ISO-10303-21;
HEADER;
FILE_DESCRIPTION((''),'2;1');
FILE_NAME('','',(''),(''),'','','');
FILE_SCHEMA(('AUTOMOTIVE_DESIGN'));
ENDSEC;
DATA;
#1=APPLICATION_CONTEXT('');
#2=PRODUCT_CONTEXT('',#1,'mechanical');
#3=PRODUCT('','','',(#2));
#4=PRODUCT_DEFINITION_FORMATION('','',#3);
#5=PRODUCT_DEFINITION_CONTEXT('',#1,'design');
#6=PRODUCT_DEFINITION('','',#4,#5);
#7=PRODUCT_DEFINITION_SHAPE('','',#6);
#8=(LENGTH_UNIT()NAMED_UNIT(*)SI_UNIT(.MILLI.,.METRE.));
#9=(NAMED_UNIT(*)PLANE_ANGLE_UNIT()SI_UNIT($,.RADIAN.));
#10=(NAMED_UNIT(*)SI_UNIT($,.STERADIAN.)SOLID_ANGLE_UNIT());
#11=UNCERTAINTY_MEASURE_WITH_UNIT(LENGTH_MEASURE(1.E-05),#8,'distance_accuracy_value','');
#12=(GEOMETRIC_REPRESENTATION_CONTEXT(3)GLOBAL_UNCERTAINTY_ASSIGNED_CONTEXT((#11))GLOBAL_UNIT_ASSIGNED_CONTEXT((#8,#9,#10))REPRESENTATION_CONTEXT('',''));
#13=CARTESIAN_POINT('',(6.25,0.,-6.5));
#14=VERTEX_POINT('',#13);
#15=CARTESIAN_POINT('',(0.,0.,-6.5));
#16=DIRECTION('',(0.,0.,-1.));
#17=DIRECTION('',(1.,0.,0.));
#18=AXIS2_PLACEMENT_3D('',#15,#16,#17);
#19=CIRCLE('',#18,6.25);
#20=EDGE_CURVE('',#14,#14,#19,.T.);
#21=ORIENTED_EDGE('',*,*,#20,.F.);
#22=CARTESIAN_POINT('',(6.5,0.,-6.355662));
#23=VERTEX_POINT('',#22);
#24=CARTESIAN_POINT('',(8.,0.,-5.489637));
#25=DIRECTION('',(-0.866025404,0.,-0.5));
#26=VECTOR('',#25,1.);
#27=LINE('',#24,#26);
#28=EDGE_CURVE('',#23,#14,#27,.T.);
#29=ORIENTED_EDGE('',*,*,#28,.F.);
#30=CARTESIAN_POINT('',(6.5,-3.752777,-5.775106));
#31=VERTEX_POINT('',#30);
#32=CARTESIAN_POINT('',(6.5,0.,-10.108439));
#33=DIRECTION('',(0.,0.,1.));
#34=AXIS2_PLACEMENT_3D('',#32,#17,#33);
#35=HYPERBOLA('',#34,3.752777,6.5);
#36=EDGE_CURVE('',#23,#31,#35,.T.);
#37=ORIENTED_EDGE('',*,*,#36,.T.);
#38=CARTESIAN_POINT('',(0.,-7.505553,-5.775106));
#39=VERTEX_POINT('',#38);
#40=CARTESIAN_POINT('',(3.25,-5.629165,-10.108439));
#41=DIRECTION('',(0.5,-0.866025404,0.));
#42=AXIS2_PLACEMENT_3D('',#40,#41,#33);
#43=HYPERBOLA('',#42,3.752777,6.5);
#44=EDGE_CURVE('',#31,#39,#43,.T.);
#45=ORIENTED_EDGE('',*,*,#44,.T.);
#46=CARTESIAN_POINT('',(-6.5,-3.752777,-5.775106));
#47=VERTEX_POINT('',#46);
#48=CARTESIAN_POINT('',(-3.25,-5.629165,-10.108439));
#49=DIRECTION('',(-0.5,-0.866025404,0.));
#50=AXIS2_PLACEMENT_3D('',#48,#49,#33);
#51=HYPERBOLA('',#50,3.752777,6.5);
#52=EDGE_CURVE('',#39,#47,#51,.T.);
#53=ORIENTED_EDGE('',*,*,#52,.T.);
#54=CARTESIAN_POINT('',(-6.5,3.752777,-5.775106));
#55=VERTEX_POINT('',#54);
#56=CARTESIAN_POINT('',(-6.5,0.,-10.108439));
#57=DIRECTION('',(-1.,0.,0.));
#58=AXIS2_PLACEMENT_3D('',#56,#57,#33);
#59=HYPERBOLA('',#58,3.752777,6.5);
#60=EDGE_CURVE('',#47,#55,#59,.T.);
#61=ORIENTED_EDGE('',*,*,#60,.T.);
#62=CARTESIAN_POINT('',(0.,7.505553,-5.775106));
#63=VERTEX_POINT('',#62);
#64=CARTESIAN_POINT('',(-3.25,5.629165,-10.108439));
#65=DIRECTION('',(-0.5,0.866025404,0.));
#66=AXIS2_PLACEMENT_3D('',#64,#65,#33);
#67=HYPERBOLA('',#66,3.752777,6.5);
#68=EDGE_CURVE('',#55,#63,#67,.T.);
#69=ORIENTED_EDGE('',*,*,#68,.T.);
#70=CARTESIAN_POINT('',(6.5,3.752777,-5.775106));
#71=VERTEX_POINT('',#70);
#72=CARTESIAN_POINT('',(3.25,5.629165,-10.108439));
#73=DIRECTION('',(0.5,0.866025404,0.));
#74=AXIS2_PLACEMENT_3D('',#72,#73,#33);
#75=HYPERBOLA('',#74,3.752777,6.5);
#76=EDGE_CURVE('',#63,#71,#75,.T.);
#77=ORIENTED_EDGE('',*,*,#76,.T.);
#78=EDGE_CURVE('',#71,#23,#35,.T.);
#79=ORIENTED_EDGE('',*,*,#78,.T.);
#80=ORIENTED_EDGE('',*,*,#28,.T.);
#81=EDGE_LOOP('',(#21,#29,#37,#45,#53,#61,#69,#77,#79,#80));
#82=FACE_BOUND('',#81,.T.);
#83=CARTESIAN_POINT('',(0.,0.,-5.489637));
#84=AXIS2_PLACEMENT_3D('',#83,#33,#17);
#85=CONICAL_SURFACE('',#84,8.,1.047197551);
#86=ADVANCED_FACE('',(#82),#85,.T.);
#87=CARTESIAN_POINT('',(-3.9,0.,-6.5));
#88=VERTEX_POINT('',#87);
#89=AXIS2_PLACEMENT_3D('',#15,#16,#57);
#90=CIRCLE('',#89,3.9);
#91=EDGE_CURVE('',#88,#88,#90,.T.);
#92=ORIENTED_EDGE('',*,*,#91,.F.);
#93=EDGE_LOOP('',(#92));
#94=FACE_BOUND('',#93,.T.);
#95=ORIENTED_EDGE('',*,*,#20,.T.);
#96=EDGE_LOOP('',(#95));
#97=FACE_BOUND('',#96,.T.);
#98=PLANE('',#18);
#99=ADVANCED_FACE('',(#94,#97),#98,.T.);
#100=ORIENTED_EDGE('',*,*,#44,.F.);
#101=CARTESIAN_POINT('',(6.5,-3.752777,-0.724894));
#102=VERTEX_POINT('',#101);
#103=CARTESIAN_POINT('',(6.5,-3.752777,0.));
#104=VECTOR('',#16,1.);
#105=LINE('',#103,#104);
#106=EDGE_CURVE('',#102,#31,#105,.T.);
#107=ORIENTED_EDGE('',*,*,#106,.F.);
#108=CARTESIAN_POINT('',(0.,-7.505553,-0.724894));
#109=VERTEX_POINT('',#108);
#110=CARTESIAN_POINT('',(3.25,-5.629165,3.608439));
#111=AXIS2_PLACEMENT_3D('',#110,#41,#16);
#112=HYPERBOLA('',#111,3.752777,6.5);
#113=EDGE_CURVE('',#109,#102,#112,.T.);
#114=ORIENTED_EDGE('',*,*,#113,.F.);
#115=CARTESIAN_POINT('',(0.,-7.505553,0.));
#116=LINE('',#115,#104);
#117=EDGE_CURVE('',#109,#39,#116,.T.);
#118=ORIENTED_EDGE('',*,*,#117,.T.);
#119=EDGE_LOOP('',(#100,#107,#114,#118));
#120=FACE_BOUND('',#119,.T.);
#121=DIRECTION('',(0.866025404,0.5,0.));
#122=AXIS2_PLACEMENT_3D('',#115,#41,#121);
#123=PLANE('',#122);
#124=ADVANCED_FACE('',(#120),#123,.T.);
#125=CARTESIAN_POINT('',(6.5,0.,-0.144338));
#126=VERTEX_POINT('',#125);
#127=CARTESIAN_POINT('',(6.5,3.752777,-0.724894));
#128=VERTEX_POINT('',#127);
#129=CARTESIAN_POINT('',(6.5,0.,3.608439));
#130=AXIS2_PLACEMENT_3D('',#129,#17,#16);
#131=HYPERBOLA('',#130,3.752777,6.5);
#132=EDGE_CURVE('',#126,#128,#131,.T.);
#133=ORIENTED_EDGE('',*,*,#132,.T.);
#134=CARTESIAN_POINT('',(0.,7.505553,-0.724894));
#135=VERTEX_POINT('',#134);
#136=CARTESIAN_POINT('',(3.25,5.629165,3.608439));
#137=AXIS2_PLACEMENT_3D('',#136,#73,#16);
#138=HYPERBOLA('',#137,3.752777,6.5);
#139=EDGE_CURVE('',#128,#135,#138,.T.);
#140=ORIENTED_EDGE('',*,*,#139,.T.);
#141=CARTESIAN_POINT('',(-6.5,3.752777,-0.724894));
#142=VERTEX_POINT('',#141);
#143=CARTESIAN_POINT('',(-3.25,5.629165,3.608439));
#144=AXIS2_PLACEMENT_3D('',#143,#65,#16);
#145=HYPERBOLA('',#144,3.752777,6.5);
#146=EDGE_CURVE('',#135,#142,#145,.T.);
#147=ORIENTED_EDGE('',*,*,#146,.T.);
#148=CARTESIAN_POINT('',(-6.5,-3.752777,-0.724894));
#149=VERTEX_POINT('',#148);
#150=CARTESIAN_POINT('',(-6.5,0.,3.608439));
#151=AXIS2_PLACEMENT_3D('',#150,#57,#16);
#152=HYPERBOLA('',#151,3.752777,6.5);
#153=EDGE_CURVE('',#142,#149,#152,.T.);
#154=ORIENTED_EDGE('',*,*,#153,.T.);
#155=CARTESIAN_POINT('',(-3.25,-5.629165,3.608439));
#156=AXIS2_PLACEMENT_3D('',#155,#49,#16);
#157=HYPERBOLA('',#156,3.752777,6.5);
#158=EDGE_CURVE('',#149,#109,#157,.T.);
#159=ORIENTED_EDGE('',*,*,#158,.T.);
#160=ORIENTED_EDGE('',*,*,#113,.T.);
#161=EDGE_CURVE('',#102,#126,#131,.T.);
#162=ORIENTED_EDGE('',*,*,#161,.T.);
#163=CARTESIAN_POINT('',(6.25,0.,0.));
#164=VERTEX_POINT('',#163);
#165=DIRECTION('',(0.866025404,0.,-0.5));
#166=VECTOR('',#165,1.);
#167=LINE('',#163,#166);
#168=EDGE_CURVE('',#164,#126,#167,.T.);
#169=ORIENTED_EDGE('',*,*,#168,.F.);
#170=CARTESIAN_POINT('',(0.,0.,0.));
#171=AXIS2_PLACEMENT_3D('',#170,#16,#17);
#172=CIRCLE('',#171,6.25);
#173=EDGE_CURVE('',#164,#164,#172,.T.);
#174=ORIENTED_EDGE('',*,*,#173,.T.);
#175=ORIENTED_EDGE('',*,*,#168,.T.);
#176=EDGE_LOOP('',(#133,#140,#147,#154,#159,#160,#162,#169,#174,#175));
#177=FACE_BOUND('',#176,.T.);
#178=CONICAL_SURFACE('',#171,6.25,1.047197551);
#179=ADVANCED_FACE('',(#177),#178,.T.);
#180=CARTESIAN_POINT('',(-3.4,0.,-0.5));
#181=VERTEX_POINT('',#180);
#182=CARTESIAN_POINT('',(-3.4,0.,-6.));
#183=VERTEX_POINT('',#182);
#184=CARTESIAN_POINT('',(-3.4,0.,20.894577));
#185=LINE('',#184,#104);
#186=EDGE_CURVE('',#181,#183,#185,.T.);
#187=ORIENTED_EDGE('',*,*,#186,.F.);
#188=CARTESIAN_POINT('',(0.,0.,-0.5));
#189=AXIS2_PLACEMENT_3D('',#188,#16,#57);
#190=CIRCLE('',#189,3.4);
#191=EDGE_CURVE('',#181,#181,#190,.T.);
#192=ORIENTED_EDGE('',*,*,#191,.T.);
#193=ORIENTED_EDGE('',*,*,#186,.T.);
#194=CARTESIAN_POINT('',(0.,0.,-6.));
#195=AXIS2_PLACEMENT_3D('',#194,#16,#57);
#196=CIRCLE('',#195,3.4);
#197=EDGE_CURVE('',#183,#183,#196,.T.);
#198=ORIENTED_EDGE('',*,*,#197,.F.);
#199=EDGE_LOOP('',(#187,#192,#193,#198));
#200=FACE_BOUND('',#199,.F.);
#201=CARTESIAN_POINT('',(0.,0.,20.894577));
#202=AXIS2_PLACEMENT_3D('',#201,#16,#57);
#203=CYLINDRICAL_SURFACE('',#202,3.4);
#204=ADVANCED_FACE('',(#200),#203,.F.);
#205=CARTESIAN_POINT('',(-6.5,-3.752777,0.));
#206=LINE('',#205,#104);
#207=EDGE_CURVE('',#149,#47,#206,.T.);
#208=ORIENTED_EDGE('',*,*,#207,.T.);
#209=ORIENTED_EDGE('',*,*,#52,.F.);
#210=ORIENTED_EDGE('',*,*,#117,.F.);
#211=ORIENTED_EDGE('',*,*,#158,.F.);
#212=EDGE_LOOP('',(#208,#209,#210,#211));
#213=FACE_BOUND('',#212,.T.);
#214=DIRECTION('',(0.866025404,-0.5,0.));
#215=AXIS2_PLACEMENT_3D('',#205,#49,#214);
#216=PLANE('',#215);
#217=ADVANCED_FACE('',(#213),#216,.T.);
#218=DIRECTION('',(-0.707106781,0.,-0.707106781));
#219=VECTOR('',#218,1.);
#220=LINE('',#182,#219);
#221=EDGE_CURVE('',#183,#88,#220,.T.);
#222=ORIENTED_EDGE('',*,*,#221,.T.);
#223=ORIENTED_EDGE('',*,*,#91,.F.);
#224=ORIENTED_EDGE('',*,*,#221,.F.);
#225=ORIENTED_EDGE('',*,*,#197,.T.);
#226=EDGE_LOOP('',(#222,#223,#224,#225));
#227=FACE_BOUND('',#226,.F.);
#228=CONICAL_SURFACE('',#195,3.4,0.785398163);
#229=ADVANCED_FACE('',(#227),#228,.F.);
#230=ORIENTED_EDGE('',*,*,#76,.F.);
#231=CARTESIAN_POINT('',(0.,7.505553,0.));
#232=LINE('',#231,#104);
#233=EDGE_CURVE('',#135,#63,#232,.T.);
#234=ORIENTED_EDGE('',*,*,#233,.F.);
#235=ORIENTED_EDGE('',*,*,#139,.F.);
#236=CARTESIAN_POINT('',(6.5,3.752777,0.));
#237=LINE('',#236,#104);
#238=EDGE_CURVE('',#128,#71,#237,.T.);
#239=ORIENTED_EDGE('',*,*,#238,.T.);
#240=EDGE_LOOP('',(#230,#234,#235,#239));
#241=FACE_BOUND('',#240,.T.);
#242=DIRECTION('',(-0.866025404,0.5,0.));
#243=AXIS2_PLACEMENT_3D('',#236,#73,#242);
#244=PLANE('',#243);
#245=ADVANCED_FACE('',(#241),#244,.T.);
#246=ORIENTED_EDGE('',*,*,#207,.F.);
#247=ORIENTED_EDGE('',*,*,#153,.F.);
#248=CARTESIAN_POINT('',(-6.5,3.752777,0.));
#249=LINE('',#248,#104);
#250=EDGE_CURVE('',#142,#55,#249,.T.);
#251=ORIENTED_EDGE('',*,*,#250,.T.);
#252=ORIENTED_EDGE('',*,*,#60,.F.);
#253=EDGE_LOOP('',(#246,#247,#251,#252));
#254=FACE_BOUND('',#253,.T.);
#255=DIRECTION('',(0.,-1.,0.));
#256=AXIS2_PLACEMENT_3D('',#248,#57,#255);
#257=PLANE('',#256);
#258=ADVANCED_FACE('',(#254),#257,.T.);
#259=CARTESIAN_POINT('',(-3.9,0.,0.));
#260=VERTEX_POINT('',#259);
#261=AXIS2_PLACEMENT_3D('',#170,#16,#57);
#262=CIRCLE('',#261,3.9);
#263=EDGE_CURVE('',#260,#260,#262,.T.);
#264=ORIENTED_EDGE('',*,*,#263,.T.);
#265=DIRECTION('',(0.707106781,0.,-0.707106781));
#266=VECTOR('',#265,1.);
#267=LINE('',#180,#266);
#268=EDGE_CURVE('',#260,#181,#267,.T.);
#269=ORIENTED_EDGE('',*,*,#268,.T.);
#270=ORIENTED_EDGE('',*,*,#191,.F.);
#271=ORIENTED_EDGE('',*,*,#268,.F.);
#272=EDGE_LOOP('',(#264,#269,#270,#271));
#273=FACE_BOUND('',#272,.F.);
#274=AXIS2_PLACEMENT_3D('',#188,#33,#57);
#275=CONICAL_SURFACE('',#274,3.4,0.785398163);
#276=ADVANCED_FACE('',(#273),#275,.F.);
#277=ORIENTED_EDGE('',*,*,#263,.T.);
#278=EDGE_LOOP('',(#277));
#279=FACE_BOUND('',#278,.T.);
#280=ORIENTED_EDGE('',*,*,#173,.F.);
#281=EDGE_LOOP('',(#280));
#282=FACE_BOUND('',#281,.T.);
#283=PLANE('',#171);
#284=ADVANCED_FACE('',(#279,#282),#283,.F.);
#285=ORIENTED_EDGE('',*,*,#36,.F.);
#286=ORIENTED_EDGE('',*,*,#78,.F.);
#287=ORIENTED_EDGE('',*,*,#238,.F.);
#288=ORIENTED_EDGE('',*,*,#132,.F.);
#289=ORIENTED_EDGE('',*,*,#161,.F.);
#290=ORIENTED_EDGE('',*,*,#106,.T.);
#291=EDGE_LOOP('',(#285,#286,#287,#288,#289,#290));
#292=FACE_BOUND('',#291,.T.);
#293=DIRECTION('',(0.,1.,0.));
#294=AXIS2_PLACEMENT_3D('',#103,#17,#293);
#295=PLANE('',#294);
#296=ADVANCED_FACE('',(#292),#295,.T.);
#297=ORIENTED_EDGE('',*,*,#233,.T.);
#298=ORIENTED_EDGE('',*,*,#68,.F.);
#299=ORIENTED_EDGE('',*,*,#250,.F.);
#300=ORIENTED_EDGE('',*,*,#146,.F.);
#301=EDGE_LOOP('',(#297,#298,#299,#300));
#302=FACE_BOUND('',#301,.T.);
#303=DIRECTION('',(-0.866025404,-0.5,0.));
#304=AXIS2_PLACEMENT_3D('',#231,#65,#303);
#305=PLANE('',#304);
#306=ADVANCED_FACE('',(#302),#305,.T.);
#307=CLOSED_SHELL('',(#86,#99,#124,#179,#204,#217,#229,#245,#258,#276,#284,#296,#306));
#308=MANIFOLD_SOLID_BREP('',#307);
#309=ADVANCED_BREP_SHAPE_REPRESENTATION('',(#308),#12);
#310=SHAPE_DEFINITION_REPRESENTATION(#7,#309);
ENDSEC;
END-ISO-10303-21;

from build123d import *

# Parameters (mm, degrees)
SKETCH2_R              = 8
CUT_EXTRUDE1_DEPTH     = 14.047988351
M8X1_25_TAPPED_HOLE1_D = 6.8
CHAMFER1_SIZE          = 0.5


with BuildPart() as part:
    # Sketch1 → Revolve1 (revolve)
    with BuildSketch(Plane(origin=(0, 0, 0), x_dir=(0, 0, -1), z_dir=(1, 0, 0)), mode=Mode.PRIVATE) as revolve1_sk:
        Polygon((0, 6.25), (1.010362971, 8), (5.489637029, 8), (6.5, 6.25), (6.5, 0), (0, 0), align=None)
    revolve(revolve1_sk.sketch.rotate(Axis((0, 0, 0), (0, 0, -1)), 90), axis=Axis((0, 0, 0), (0, 0, -1)))

    # Sketch2 → Cut-Extrude1 (cut, through all)
    with BuildSketch(Plane.XY):
        Circle(SKETCH2_R)
        Polygon((0, 7.505553499), (-6.5, 3.75277675), (-6.5, -3.75277675), (0, -7.505553499), (6.5, -3.75277675), (6.5, 3.75277675), align=None, mode=Mode.SUBTRACT)
    extrude(amount=-CUT_EXTRUDE1_DEPTH, mode=Mode.SUBTRACT)

    # M8x1.25 Tapped Hole1 (through all)
    with Locations(Plane.XY):
        with Locations((0, 0)):
            Hole(M8X1_25_TAPPED_HOLE1_D / 2)

    # Chamfer1
    chamfer1_edges = [part.edges().sort_by_distance(p)[0] for p in [
        (3.4, 0, 0),
        (3.4, 0, -6.5),
    ]]
    chamfer(chamfer1_edges, length=CHAMFER1_SIZE)


solid = part.part
